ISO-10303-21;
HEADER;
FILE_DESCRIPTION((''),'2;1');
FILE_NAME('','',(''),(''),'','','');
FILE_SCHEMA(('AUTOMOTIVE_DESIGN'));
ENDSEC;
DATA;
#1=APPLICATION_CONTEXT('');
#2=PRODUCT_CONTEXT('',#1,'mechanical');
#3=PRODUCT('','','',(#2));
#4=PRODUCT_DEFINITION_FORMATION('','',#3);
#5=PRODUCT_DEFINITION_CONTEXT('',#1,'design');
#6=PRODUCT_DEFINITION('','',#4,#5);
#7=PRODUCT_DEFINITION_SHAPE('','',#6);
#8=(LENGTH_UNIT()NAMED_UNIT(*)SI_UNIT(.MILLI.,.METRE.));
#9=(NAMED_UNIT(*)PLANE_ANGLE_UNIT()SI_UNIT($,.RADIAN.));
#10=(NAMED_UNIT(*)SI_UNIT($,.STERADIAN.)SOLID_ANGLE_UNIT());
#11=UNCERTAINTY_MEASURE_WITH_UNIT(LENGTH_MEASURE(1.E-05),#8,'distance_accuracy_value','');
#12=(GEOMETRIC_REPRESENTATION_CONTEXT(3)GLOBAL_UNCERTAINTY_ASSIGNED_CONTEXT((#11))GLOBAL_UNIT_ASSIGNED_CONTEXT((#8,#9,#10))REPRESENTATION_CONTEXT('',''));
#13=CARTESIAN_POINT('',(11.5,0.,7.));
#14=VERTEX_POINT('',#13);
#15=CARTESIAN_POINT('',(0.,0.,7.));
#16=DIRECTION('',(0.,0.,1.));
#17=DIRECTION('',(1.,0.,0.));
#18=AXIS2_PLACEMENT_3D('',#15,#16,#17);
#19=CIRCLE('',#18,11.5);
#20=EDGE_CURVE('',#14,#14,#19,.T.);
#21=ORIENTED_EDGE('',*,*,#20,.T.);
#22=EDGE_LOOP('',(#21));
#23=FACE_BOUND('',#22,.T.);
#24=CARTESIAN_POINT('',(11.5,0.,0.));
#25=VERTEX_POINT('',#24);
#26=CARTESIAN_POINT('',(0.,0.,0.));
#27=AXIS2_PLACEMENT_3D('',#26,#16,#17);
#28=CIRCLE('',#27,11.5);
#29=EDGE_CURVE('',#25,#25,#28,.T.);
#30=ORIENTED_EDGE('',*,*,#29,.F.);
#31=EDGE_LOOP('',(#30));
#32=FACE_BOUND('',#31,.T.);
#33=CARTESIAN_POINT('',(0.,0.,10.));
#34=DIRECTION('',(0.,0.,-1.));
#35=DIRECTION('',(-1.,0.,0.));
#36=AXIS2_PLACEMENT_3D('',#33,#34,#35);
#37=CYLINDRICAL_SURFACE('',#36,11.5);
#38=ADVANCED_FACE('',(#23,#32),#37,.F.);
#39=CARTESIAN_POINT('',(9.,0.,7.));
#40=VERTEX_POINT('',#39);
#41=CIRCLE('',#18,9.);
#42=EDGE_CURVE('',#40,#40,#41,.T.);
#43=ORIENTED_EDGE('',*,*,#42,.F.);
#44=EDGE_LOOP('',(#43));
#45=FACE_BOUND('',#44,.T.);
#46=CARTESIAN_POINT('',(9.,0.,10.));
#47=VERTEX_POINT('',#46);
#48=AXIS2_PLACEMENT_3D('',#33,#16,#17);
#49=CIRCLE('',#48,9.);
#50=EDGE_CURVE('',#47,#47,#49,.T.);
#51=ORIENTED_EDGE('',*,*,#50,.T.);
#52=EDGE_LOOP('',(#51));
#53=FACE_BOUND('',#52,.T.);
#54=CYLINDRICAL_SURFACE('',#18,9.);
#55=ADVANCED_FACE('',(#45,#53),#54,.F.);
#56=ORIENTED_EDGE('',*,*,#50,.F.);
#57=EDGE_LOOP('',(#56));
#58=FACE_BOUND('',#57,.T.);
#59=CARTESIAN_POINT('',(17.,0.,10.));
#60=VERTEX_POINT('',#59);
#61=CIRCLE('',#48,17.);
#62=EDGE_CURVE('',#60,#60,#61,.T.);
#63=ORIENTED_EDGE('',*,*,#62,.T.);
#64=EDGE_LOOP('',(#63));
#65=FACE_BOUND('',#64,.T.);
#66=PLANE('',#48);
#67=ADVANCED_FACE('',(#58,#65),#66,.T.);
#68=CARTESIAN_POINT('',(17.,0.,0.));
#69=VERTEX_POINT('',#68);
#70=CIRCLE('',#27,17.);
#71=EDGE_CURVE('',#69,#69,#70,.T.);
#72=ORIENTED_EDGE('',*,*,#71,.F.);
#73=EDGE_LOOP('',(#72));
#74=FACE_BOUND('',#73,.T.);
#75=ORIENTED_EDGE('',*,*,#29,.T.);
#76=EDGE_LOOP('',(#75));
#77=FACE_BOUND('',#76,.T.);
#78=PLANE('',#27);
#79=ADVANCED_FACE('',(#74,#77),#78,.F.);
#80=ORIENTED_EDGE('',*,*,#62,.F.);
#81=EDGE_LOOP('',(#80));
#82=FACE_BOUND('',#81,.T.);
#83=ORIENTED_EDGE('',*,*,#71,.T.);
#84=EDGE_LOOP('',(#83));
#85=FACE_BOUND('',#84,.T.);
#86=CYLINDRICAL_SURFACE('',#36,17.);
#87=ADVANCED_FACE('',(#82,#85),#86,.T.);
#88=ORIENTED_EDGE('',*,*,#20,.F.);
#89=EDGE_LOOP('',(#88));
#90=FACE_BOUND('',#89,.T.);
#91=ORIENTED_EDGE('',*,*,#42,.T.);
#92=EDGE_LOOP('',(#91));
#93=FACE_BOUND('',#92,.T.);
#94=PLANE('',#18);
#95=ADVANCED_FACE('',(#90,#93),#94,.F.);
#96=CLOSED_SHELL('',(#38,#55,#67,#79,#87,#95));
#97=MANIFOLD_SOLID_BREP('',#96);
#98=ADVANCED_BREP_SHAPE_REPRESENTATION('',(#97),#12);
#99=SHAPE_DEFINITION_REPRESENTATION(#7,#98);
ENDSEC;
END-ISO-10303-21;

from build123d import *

# Parameters (mm, degrees)
SKETCH_1_R      = 17
SKETCH_1_R_2    = 11.5
EXTRUDE_1_DEPTH = 10
EXTRUDE_START   = -3
SKETCH_2_R      = 11.5
SKETCH_2_R_2    = 9
EXTRUDE_2_DEPTH = 3


with BuildPart() as part:
    # Эскиз1 → Бобышка-Вытянуть1 (new body)
    with BuildSketch(Plane.XY):
        Circle(SKETCH_1_R)
        Circle(SKETCH_1_R_2, mode=Mode.SUBTRACT)
    extrude(amount=EXTRUDE_1_DEPTH)

    # Эскиз2 → Бобышка-Вытянуть2 (add)
    with BuildSketch(Plane.XY.offset(10).offset(EXTRUDE_START)):
        Circle(SKETCH_2_R)
        Circle(SKETCH_2_R_2, mode=Mode.SUBTRACT)
    extrude(amount=EXTRUDE_2_DEPTH)


solid = part.part
